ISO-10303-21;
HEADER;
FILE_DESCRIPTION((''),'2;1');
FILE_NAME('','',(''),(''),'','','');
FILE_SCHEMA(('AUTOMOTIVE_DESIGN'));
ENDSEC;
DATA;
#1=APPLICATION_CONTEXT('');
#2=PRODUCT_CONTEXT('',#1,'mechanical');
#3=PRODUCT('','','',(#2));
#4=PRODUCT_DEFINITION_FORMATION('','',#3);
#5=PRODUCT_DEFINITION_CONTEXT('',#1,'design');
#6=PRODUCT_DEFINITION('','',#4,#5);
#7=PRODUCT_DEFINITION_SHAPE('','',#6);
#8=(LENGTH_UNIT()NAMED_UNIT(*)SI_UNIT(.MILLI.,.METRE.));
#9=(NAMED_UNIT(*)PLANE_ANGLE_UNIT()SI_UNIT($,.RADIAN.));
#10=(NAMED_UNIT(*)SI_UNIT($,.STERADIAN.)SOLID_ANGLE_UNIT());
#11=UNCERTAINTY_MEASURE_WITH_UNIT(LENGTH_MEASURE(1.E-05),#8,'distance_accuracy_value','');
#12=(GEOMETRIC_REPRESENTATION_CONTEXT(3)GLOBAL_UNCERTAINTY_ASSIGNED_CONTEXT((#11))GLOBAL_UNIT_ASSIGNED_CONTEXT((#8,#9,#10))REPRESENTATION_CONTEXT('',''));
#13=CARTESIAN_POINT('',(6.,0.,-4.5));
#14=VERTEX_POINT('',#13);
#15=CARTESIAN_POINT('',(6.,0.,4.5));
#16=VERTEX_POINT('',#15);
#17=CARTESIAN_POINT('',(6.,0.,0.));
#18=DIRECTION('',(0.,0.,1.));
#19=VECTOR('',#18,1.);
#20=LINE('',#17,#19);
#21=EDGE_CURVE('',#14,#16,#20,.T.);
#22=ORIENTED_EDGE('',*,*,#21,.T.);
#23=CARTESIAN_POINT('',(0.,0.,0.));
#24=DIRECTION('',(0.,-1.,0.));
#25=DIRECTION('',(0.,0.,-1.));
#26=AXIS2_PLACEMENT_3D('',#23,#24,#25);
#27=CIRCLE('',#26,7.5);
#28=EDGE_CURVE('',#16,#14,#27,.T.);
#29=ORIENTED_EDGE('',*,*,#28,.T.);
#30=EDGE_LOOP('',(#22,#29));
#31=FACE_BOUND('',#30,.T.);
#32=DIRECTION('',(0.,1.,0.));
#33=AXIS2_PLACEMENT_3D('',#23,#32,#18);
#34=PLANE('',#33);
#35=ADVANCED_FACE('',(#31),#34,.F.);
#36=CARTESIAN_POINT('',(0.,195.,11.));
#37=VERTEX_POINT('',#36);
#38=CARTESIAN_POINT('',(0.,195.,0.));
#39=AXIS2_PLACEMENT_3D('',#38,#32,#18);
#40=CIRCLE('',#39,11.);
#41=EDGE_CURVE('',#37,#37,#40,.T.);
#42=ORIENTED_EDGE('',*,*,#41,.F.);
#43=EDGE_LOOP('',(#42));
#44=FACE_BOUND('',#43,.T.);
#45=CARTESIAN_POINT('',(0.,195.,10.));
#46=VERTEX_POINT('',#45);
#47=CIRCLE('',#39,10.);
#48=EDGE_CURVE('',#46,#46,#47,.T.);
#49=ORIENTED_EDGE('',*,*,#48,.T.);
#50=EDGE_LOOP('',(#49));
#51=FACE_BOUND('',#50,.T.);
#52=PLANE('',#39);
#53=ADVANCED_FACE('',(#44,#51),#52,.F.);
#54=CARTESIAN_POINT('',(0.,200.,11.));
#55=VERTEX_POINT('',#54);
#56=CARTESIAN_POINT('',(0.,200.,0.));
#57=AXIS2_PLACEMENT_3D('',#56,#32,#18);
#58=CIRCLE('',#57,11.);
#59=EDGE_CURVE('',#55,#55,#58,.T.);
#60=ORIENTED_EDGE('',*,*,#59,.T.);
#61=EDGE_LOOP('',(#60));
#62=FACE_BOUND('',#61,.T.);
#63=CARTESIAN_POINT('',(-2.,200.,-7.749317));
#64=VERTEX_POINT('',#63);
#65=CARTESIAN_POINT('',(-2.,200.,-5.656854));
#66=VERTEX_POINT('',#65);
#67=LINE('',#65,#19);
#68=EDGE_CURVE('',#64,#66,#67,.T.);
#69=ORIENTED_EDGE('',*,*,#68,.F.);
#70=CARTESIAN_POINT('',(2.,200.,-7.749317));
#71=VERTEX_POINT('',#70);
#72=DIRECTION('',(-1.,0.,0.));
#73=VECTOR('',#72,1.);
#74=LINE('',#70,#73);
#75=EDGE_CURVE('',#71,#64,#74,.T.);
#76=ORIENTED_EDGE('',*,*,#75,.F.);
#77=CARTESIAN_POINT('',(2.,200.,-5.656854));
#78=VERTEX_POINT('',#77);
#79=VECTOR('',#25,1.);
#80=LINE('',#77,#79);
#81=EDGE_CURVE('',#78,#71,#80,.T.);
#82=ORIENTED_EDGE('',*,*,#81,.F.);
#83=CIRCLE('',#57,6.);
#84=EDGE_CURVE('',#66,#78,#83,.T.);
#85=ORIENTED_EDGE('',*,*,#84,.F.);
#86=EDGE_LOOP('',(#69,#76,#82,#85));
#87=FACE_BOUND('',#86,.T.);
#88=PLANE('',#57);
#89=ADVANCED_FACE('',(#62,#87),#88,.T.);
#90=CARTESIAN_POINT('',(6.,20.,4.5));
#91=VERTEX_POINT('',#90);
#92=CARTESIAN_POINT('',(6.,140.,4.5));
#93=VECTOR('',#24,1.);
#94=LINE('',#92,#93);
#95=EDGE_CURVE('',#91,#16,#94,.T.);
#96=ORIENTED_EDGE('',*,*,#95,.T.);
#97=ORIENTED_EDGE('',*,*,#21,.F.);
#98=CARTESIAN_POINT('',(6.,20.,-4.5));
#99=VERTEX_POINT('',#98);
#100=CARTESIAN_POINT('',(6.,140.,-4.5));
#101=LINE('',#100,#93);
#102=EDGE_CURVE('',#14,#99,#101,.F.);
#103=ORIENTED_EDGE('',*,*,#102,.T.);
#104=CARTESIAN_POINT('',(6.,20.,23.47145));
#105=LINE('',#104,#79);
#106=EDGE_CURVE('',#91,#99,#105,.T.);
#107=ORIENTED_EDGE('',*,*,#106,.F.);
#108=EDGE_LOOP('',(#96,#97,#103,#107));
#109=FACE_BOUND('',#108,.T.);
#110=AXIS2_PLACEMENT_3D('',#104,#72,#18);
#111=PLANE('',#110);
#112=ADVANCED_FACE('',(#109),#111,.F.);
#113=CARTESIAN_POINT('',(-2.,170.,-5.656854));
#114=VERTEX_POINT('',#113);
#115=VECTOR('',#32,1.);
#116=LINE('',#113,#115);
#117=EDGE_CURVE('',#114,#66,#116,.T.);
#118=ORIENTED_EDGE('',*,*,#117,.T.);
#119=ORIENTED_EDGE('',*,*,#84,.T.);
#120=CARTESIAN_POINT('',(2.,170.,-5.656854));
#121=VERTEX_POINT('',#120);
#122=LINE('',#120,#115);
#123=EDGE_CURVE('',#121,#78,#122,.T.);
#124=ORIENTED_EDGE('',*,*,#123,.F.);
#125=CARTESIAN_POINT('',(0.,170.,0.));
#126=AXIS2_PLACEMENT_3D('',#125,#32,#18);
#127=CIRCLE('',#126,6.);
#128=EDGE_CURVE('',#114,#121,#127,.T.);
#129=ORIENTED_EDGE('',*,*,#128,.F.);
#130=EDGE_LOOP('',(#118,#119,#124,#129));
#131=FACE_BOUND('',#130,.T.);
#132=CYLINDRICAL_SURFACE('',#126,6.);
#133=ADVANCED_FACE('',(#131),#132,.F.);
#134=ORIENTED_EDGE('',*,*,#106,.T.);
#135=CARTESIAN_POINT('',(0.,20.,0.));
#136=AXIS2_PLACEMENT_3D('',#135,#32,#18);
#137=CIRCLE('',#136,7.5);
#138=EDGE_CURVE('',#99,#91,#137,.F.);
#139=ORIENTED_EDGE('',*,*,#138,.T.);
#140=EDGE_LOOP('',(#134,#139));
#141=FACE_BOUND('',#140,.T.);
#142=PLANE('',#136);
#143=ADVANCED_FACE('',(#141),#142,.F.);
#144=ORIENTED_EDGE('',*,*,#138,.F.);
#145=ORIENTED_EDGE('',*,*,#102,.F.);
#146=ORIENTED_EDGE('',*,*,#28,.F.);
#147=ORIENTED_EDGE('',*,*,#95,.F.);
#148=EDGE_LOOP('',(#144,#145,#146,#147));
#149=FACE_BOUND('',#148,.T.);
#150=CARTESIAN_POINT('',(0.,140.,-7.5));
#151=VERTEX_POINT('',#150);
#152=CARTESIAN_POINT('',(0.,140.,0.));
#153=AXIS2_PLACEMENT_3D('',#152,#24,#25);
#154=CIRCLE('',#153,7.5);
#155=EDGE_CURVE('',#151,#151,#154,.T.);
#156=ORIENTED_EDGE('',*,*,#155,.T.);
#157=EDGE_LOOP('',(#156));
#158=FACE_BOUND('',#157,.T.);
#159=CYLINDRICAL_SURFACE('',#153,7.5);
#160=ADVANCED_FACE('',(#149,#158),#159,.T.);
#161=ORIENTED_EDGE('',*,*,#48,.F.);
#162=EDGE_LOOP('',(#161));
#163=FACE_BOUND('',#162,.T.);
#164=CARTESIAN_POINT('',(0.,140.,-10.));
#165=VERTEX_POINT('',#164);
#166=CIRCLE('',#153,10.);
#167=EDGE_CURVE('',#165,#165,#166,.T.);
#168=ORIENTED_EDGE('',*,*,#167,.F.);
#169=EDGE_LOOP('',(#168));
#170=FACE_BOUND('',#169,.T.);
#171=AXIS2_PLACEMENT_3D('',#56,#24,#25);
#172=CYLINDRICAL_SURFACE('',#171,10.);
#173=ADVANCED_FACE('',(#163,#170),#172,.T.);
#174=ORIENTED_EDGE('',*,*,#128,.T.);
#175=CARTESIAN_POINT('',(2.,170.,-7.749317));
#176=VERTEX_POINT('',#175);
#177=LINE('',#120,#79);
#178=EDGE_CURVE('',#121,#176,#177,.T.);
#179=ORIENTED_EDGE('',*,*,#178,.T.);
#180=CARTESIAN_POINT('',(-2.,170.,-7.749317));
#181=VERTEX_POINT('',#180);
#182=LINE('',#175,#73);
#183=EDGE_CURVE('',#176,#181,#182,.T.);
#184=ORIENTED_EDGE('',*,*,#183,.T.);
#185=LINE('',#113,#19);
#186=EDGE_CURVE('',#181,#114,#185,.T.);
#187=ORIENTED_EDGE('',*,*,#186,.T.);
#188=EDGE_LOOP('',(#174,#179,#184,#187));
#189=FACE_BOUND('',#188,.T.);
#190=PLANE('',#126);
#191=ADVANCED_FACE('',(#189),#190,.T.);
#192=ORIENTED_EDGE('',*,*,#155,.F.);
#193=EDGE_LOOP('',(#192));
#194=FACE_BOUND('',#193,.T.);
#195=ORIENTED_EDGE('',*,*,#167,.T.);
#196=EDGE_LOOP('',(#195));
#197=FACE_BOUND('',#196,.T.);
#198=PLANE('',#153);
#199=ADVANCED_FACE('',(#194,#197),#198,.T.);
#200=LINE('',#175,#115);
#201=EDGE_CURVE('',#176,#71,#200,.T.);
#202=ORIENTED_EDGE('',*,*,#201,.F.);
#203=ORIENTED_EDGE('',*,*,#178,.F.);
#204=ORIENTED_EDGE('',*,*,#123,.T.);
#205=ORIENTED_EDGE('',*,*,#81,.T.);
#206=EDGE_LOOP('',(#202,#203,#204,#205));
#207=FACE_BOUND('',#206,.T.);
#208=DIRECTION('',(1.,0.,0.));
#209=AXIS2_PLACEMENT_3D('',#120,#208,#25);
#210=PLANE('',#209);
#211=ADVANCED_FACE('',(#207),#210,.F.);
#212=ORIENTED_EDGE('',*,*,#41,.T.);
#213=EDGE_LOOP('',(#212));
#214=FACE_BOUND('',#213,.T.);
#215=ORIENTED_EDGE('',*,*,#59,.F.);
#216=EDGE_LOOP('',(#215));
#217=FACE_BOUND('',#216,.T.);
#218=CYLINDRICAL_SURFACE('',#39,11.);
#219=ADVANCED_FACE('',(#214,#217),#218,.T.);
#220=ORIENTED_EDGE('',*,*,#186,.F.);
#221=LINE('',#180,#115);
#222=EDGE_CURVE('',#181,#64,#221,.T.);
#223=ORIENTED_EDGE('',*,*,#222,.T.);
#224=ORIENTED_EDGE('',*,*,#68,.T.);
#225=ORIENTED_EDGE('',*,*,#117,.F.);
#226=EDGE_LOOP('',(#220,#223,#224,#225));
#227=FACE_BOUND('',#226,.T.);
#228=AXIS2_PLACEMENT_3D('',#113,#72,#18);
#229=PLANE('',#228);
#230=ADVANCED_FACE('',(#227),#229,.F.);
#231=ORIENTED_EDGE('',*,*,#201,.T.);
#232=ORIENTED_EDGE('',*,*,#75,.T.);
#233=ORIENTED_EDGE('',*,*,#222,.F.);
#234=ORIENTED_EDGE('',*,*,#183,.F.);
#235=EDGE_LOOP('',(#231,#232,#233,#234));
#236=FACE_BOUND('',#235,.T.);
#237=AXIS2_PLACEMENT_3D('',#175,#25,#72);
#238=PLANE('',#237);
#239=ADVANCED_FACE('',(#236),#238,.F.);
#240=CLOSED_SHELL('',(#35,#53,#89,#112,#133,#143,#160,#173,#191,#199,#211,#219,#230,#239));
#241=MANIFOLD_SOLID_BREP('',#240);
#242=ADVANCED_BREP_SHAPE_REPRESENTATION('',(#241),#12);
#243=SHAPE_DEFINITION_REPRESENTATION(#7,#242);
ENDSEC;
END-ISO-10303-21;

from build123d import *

# Parameters (mm, degrees)
SKETCH2_R         = 10
EXTRUDE1_DEPTH    = 200
EXTRUDE2_DEPTH    = 30
SKETCH5_OUTSIDE_W = 62.398
SKETCH5_OUTSIDE_H = 62.398
SKETCH5_OUTSIDE_R = 7.5
EXTRUDE4_DEPTH    = 140
SKETCH6_R         = 11
SKETCH6_R_2       = 8.630699516
EXTRUDE5_DEPTH    = 5
SKETCH7_W         = 11.867066039
SKETCH7_H         = 33.623353778
EXTRUDE6_DEPTH    = 20


with BuildPart() as part:
    # Sketch2 → Extrude1 (new body)
    with BuildSketch(Plane(origin=(0, 0, 0), x_dir=(1, 0, 0), z_dir=(0, 1, 0))):
        with Locations(Location((0, 0, 0), (0, 0, 270))):
            Circle(SKETCH2_R)
    extrude(amount=EXTRUDE1_DEPTH)

    # Sketch3 → Extrude2 (cut)
    with BuildSketch(Plane(origin=(0, 200, 0), x_dir=(1, 0, 0), z_dir=(0, 1, 0))):
        with BuildLine():
            Line((2, 5.656854249), (2, 7.749317393))
            Line((2, 7.749317393), (-2, 7.749317393))
            Line((-2, 7.749317393), (-2, 5.656854249))
            ThreePointArc((-2, 5.656854249), (0, -6), (2, 5.656854249))
        make_face()
    extrude(amount=-EXTRUDE2_DEPTH, mode=Mode.SUBTRACT)

    # Sketch5 outside → Extrude4 (cut)
    with BuildSketch(Plane.XZ):
        Rectangle(SKETCH5_OUTSIDE_W, SKETCH5_OUTSIDE_H)
        with Locations(Location((0, 0, 0), (0, 0, 270))):
            Circle(SKETCH5_OUTSIDE_R, mode=Mode.SUBTRACT)
    extrude(amount=-EXTRUDE4_DEPTH, mode=Mode.SUBTRACT)

    # Sketch6 → Extrude5 (add)
    with BuildSketch(Plane(origin=(0, 200, 0), x_dir=(1, 0, 0), z_dir=(0, 1, 0))):
        with Locations(Location((0, 0, 0), (0, 0, 270))):
            Circle(SKETCH6_R)
        Circle(SKETCH6_R_2, mode=Mode.SUBTRACT)
    extrude(amount=-EXTRUDE5_DEPTH)

    # Sketch7 → Extrude6 (cut)
    with BuildSketch(Plane.XZ):
        with Locations((11.93353302, 6.659772738)):
            Rectangle(SKETCH7_W, SKETCH7_H)
    extrude(amount=-EXTRUDE6_DEPTH, mode=Mode.SUBTRACT)


solid = part.part
